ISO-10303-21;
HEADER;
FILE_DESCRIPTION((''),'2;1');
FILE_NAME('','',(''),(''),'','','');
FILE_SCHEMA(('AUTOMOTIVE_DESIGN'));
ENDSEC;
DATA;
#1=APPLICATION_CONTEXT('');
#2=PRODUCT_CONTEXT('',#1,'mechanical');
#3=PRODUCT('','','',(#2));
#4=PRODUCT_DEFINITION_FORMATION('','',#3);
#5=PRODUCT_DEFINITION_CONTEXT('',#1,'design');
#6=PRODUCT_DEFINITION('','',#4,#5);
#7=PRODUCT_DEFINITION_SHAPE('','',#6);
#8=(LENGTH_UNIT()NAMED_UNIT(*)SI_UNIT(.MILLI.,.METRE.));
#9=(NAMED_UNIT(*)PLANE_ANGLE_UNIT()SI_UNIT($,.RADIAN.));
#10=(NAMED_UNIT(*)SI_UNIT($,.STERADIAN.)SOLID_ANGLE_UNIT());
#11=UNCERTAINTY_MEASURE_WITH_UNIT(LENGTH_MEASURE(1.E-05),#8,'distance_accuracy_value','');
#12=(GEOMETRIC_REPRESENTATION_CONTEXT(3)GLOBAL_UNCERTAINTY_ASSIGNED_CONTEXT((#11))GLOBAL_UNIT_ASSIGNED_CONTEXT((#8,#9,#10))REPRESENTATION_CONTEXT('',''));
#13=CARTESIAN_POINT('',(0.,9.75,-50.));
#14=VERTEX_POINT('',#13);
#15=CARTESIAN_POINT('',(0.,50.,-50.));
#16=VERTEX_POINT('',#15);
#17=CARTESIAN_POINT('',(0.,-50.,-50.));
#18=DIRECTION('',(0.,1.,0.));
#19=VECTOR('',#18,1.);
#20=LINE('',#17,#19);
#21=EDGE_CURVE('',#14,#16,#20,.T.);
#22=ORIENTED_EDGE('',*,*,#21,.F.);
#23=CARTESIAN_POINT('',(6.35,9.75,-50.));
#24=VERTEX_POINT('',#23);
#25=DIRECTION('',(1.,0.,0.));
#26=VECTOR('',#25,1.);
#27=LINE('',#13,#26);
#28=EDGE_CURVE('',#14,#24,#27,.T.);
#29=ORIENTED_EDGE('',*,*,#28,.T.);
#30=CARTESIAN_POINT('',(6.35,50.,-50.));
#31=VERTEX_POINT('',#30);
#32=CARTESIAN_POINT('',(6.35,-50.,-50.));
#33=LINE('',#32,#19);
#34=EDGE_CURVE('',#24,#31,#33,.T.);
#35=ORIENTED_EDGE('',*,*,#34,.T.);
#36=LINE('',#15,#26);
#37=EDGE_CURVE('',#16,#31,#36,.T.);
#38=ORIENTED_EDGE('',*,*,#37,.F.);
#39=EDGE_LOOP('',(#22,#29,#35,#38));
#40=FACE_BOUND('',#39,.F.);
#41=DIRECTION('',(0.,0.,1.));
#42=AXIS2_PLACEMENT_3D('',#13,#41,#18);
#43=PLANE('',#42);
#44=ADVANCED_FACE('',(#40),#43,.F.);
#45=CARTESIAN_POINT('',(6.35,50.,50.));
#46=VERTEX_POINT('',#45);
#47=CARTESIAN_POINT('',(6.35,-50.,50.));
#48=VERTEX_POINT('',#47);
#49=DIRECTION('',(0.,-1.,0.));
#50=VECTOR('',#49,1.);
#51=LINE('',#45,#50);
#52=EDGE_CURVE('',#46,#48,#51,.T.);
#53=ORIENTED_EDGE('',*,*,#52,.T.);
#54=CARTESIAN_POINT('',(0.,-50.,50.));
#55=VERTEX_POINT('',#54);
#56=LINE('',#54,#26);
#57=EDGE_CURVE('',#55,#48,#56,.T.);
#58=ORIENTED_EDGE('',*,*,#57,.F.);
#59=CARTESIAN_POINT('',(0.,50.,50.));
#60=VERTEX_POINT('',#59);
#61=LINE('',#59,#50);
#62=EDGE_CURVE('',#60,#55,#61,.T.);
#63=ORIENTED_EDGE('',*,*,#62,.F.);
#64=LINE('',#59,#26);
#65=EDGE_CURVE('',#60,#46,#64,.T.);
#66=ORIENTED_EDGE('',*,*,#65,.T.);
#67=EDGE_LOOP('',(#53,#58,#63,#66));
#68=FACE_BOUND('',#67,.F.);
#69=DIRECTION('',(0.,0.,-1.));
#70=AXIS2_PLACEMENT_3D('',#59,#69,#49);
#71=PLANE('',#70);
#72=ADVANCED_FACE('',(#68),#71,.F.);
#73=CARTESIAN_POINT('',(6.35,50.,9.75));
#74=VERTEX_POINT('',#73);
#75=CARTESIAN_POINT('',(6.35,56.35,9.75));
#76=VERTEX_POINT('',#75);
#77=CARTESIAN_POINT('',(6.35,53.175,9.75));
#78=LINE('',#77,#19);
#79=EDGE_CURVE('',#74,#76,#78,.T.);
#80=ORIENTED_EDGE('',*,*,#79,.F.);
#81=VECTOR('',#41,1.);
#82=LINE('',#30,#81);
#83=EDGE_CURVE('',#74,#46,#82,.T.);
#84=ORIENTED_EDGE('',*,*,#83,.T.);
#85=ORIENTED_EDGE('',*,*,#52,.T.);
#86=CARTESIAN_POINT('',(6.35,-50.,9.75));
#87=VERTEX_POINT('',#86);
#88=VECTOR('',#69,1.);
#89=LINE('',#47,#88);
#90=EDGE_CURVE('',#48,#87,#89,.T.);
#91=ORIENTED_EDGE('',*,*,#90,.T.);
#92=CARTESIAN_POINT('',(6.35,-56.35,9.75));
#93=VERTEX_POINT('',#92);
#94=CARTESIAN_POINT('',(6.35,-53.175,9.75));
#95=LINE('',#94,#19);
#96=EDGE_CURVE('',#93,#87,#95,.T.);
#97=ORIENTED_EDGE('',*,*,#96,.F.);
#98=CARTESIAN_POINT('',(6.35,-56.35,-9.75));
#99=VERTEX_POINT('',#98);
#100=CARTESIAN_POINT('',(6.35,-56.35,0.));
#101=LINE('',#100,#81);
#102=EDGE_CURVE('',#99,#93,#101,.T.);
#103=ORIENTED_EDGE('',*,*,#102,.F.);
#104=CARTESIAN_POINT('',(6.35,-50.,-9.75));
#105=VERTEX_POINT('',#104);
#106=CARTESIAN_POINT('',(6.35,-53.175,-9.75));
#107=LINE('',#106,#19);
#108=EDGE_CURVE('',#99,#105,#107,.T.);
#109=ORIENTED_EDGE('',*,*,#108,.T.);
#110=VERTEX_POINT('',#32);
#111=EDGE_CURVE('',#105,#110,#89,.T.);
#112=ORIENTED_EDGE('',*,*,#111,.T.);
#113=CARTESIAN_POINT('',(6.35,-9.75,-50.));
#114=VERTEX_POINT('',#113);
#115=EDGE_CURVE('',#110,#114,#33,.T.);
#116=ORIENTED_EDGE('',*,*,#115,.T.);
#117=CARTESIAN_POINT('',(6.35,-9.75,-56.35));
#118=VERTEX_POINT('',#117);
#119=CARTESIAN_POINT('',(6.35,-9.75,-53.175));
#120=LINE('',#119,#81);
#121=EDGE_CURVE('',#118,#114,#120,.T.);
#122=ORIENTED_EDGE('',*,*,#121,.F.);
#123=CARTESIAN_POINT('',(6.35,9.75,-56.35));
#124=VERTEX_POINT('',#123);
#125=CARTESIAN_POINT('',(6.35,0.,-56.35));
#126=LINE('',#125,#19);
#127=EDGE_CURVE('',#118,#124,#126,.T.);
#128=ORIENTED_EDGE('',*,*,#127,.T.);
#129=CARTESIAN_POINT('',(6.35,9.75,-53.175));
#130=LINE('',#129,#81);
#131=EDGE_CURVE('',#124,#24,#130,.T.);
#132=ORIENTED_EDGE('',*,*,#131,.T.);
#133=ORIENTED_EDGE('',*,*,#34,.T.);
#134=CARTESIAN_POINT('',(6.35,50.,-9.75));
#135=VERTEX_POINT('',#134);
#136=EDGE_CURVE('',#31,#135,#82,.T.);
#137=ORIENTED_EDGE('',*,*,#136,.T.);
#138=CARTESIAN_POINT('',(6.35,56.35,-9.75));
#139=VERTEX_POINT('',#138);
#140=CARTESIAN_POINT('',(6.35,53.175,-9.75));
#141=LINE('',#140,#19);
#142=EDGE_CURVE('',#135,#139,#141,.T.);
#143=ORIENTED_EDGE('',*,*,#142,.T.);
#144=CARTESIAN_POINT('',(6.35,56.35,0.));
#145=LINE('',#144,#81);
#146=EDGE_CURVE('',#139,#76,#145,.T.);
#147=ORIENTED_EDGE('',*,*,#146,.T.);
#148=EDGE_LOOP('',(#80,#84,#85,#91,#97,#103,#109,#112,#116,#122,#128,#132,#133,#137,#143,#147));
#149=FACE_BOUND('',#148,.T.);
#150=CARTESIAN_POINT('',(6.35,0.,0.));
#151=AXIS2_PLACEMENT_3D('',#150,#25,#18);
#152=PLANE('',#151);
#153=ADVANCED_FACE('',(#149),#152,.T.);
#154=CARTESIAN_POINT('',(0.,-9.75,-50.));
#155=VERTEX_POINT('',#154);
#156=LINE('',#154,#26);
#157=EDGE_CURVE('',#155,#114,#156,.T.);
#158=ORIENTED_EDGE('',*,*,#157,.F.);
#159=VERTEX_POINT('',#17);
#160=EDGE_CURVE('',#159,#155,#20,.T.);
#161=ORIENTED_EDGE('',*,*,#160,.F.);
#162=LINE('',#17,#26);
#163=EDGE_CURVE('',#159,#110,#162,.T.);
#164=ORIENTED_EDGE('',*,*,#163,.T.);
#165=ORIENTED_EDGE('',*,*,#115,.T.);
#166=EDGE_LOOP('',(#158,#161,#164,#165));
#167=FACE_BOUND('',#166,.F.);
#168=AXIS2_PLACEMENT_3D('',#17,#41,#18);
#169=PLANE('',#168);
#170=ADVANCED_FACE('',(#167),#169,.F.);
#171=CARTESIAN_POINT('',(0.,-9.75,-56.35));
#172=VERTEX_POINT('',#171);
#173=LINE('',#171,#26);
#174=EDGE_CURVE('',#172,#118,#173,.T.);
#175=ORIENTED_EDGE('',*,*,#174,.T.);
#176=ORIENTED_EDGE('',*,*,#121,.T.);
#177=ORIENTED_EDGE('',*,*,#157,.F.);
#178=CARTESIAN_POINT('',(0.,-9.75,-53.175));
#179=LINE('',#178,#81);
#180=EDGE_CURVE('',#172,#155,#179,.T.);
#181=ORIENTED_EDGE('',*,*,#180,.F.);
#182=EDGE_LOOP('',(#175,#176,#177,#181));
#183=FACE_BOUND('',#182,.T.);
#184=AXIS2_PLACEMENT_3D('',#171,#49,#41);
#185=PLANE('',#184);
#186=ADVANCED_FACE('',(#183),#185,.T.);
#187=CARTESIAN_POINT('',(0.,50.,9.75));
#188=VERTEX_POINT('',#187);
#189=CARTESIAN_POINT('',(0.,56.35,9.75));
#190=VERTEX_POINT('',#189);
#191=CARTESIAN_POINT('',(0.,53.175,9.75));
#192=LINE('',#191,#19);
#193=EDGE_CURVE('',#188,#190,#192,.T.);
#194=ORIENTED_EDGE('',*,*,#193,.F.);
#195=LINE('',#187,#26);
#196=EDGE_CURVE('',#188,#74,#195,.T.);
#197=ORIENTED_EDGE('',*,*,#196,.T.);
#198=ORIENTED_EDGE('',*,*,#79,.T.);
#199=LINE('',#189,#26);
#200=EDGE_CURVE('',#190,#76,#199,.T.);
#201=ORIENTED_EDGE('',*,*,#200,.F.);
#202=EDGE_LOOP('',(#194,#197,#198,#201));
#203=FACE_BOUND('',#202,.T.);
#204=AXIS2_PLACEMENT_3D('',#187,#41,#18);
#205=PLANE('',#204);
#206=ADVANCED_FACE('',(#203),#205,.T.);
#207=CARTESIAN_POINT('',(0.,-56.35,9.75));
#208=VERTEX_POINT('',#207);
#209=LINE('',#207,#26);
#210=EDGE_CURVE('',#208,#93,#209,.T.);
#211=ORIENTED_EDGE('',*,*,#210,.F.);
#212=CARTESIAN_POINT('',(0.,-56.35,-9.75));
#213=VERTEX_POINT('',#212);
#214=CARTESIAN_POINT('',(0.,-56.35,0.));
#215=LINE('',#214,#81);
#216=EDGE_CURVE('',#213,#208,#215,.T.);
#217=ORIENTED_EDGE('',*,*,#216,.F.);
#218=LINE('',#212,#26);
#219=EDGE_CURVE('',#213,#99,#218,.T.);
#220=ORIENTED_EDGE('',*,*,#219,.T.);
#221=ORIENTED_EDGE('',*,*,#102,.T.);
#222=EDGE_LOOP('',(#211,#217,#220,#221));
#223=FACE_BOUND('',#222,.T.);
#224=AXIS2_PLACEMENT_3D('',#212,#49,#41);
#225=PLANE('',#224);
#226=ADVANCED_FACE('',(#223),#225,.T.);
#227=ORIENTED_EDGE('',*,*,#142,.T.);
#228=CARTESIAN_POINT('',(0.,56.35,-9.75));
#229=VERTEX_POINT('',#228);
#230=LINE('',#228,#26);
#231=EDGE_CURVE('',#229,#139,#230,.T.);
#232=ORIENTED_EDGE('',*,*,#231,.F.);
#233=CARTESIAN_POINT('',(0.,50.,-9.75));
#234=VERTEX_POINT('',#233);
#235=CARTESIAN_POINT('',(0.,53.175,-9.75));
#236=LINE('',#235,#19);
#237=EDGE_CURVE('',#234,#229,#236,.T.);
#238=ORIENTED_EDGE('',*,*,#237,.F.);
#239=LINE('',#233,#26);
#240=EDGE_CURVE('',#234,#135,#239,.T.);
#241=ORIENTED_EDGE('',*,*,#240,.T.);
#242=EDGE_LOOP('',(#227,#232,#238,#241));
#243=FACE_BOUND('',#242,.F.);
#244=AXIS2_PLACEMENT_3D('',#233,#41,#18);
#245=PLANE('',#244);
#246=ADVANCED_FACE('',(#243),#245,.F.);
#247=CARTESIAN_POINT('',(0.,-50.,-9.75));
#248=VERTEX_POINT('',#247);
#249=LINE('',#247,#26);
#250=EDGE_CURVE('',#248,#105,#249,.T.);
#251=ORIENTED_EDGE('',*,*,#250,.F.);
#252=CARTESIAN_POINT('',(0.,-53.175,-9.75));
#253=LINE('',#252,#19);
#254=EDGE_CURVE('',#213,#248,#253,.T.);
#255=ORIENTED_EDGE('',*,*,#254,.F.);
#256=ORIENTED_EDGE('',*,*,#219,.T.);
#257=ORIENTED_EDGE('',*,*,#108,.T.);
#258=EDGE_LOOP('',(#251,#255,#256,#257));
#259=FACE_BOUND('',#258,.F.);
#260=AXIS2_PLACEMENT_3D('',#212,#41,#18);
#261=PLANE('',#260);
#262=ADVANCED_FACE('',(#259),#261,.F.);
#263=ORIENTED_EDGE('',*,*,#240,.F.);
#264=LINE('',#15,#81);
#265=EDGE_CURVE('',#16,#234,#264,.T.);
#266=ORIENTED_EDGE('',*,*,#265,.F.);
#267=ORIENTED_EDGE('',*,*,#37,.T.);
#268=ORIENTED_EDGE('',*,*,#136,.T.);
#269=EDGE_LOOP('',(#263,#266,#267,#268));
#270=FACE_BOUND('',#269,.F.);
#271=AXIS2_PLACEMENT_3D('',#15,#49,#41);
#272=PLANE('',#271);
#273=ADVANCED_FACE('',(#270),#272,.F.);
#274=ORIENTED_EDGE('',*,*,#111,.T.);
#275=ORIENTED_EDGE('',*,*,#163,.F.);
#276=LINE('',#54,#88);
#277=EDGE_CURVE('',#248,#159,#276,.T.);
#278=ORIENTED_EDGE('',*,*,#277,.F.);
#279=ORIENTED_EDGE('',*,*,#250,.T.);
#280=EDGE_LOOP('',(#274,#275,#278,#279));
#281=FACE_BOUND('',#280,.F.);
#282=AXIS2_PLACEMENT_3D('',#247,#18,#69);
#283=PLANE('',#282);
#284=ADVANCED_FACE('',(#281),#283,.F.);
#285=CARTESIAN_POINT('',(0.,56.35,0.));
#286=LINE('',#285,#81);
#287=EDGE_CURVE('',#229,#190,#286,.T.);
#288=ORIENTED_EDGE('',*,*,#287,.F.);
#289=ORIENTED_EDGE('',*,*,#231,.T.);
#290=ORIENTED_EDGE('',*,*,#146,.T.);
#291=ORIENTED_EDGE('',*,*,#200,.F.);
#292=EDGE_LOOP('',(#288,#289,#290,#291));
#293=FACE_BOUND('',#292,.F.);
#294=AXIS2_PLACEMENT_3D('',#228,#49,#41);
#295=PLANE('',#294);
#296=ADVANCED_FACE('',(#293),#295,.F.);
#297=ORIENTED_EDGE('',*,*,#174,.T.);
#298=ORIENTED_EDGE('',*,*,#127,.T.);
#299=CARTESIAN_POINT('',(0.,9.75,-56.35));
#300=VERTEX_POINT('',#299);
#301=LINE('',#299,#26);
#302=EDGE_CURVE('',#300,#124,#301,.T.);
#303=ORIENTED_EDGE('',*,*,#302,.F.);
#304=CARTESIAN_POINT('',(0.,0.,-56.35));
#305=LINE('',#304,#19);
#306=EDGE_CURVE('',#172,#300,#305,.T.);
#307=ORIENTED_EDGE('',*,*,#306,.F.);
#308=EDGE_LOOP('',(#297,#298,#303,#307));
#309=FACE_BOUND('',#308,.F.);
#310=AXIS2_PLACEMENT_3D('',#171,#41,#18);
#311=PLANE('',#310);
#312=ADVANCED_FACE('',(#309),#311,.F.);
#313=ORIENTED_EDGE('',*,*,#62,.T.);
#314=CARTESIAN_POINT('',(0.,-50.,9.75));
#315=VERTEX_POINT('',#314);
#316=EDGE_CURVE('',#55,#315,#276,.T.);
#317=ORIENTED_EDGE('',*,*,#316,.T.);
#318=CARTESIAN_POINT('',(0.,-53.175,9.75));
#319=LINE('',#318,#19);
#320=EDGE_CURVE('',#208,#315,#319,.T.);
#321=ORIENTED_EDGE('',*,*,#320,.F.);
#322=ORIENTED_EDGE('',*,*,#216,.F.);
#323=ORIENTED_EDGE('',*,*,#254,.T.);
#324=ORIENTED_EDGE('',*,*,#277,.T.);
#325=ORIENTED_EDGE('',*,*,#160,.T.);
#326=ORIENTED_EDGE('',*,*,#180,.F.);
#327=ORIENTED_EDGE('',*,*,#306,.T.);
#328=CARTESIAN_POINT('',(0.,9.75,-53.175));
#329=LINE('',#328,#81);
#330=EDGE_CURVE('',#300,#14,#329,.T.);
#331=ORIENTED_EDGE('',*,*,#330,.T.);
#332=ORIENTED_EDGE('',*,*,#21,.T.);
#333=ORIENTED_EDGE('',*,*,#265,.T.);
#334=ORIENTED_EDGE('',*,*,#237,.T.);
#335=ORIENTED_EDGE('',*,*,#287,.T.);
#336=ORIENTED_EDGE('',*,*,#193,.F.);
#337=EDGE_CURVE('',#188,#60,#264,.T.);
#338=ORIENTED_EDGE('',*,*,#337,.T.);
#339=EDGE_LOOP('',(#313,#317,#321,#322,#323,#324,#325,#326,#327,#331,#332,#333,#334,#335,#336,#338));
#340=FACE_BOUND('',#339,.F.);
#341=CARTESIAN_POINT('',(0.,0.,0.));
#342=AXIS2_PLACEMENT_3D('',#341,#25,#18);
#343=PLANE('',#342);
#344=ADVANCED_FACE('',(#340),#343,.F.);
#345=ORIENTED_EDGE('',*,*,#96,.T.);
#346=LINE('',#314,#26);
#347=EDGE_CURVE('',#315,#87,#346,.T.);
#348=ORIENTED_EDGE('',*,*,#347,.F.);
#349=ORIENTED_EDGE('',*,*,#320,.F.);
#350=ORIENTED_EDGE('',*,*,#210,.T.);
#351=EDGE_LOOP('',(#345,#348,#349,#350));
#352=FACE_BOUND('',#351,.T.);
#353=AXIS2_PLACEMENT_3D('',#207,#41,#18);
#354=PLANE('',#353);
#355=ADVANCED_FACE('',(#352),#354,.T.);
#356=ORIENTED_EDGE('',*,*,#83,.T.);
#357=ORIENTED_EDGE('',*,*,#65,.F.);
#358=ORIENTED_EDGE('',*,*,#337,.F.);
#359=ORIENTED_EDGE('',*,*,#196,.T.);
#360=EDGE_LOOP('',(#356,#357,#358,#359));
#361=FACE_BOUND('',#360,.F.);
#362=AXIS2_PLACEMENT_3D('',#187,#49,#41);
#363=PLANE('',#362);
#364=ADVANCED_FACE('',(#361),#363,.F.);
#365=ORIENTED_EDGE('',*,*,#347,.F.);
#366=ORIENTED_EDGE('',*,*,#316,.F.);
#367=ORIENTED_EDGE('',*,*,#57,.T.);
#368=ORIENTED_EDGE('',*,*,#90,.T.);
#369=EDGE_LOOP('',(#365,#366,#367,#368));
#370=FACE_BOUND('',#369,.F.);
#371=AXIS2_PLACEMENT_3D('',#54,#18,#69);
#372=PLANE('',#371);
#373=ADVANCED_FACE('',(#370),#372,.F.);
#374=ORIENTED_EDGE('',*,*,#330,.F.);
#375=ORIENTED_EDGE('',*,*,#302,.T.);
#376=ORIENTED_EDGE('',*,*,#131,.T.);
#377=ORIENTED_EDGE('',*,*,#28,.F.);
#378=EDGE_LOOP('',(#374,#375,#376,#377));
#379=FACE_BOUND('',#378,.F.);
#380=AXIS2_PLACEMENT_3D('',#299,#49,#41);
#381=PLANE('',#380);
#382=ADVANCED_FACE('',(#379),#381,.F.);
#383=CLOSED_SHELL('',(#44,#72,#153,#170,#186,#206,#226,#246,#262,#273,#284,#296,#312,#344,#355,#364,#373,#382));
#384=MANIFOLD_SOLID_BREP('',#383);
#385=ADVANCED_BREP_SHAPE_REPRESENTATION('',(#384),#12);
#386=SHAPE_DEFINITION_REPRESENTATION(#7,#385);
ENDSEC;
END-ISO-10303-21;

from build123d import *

# Parameters (mm, degrees)
F0_W     = 6.35
F0_H     = 19.5
F0_W_2   = 19.5
F0_H_2   = 6.35
F1_DEPTH = 6.35


with BuildPart() as f1:
    # F0 (on Right) → F1 (new body)
    with BuildSketch(Plane.YZ):
        Polygon((50, 9.75), (50, 50), (-50, 50), (-50, 9.75), (-50, -9.75), (-50, -50), (-9.75, -50), (9.75, -50), (50, -50), (50, -9.75), align=None)
        with Locations((53.175, 0)):
            Rectangle(F0_W, F0_H)
        with Locations((-53.175, 0)):
            Rectangle(F0_W, F0_H)
        with Locations((0, -53.175)):
            Rectangle(F0_W_2, F0_H_2)
    extrude(amount=F1_DEPTH)


solid = f1.part
